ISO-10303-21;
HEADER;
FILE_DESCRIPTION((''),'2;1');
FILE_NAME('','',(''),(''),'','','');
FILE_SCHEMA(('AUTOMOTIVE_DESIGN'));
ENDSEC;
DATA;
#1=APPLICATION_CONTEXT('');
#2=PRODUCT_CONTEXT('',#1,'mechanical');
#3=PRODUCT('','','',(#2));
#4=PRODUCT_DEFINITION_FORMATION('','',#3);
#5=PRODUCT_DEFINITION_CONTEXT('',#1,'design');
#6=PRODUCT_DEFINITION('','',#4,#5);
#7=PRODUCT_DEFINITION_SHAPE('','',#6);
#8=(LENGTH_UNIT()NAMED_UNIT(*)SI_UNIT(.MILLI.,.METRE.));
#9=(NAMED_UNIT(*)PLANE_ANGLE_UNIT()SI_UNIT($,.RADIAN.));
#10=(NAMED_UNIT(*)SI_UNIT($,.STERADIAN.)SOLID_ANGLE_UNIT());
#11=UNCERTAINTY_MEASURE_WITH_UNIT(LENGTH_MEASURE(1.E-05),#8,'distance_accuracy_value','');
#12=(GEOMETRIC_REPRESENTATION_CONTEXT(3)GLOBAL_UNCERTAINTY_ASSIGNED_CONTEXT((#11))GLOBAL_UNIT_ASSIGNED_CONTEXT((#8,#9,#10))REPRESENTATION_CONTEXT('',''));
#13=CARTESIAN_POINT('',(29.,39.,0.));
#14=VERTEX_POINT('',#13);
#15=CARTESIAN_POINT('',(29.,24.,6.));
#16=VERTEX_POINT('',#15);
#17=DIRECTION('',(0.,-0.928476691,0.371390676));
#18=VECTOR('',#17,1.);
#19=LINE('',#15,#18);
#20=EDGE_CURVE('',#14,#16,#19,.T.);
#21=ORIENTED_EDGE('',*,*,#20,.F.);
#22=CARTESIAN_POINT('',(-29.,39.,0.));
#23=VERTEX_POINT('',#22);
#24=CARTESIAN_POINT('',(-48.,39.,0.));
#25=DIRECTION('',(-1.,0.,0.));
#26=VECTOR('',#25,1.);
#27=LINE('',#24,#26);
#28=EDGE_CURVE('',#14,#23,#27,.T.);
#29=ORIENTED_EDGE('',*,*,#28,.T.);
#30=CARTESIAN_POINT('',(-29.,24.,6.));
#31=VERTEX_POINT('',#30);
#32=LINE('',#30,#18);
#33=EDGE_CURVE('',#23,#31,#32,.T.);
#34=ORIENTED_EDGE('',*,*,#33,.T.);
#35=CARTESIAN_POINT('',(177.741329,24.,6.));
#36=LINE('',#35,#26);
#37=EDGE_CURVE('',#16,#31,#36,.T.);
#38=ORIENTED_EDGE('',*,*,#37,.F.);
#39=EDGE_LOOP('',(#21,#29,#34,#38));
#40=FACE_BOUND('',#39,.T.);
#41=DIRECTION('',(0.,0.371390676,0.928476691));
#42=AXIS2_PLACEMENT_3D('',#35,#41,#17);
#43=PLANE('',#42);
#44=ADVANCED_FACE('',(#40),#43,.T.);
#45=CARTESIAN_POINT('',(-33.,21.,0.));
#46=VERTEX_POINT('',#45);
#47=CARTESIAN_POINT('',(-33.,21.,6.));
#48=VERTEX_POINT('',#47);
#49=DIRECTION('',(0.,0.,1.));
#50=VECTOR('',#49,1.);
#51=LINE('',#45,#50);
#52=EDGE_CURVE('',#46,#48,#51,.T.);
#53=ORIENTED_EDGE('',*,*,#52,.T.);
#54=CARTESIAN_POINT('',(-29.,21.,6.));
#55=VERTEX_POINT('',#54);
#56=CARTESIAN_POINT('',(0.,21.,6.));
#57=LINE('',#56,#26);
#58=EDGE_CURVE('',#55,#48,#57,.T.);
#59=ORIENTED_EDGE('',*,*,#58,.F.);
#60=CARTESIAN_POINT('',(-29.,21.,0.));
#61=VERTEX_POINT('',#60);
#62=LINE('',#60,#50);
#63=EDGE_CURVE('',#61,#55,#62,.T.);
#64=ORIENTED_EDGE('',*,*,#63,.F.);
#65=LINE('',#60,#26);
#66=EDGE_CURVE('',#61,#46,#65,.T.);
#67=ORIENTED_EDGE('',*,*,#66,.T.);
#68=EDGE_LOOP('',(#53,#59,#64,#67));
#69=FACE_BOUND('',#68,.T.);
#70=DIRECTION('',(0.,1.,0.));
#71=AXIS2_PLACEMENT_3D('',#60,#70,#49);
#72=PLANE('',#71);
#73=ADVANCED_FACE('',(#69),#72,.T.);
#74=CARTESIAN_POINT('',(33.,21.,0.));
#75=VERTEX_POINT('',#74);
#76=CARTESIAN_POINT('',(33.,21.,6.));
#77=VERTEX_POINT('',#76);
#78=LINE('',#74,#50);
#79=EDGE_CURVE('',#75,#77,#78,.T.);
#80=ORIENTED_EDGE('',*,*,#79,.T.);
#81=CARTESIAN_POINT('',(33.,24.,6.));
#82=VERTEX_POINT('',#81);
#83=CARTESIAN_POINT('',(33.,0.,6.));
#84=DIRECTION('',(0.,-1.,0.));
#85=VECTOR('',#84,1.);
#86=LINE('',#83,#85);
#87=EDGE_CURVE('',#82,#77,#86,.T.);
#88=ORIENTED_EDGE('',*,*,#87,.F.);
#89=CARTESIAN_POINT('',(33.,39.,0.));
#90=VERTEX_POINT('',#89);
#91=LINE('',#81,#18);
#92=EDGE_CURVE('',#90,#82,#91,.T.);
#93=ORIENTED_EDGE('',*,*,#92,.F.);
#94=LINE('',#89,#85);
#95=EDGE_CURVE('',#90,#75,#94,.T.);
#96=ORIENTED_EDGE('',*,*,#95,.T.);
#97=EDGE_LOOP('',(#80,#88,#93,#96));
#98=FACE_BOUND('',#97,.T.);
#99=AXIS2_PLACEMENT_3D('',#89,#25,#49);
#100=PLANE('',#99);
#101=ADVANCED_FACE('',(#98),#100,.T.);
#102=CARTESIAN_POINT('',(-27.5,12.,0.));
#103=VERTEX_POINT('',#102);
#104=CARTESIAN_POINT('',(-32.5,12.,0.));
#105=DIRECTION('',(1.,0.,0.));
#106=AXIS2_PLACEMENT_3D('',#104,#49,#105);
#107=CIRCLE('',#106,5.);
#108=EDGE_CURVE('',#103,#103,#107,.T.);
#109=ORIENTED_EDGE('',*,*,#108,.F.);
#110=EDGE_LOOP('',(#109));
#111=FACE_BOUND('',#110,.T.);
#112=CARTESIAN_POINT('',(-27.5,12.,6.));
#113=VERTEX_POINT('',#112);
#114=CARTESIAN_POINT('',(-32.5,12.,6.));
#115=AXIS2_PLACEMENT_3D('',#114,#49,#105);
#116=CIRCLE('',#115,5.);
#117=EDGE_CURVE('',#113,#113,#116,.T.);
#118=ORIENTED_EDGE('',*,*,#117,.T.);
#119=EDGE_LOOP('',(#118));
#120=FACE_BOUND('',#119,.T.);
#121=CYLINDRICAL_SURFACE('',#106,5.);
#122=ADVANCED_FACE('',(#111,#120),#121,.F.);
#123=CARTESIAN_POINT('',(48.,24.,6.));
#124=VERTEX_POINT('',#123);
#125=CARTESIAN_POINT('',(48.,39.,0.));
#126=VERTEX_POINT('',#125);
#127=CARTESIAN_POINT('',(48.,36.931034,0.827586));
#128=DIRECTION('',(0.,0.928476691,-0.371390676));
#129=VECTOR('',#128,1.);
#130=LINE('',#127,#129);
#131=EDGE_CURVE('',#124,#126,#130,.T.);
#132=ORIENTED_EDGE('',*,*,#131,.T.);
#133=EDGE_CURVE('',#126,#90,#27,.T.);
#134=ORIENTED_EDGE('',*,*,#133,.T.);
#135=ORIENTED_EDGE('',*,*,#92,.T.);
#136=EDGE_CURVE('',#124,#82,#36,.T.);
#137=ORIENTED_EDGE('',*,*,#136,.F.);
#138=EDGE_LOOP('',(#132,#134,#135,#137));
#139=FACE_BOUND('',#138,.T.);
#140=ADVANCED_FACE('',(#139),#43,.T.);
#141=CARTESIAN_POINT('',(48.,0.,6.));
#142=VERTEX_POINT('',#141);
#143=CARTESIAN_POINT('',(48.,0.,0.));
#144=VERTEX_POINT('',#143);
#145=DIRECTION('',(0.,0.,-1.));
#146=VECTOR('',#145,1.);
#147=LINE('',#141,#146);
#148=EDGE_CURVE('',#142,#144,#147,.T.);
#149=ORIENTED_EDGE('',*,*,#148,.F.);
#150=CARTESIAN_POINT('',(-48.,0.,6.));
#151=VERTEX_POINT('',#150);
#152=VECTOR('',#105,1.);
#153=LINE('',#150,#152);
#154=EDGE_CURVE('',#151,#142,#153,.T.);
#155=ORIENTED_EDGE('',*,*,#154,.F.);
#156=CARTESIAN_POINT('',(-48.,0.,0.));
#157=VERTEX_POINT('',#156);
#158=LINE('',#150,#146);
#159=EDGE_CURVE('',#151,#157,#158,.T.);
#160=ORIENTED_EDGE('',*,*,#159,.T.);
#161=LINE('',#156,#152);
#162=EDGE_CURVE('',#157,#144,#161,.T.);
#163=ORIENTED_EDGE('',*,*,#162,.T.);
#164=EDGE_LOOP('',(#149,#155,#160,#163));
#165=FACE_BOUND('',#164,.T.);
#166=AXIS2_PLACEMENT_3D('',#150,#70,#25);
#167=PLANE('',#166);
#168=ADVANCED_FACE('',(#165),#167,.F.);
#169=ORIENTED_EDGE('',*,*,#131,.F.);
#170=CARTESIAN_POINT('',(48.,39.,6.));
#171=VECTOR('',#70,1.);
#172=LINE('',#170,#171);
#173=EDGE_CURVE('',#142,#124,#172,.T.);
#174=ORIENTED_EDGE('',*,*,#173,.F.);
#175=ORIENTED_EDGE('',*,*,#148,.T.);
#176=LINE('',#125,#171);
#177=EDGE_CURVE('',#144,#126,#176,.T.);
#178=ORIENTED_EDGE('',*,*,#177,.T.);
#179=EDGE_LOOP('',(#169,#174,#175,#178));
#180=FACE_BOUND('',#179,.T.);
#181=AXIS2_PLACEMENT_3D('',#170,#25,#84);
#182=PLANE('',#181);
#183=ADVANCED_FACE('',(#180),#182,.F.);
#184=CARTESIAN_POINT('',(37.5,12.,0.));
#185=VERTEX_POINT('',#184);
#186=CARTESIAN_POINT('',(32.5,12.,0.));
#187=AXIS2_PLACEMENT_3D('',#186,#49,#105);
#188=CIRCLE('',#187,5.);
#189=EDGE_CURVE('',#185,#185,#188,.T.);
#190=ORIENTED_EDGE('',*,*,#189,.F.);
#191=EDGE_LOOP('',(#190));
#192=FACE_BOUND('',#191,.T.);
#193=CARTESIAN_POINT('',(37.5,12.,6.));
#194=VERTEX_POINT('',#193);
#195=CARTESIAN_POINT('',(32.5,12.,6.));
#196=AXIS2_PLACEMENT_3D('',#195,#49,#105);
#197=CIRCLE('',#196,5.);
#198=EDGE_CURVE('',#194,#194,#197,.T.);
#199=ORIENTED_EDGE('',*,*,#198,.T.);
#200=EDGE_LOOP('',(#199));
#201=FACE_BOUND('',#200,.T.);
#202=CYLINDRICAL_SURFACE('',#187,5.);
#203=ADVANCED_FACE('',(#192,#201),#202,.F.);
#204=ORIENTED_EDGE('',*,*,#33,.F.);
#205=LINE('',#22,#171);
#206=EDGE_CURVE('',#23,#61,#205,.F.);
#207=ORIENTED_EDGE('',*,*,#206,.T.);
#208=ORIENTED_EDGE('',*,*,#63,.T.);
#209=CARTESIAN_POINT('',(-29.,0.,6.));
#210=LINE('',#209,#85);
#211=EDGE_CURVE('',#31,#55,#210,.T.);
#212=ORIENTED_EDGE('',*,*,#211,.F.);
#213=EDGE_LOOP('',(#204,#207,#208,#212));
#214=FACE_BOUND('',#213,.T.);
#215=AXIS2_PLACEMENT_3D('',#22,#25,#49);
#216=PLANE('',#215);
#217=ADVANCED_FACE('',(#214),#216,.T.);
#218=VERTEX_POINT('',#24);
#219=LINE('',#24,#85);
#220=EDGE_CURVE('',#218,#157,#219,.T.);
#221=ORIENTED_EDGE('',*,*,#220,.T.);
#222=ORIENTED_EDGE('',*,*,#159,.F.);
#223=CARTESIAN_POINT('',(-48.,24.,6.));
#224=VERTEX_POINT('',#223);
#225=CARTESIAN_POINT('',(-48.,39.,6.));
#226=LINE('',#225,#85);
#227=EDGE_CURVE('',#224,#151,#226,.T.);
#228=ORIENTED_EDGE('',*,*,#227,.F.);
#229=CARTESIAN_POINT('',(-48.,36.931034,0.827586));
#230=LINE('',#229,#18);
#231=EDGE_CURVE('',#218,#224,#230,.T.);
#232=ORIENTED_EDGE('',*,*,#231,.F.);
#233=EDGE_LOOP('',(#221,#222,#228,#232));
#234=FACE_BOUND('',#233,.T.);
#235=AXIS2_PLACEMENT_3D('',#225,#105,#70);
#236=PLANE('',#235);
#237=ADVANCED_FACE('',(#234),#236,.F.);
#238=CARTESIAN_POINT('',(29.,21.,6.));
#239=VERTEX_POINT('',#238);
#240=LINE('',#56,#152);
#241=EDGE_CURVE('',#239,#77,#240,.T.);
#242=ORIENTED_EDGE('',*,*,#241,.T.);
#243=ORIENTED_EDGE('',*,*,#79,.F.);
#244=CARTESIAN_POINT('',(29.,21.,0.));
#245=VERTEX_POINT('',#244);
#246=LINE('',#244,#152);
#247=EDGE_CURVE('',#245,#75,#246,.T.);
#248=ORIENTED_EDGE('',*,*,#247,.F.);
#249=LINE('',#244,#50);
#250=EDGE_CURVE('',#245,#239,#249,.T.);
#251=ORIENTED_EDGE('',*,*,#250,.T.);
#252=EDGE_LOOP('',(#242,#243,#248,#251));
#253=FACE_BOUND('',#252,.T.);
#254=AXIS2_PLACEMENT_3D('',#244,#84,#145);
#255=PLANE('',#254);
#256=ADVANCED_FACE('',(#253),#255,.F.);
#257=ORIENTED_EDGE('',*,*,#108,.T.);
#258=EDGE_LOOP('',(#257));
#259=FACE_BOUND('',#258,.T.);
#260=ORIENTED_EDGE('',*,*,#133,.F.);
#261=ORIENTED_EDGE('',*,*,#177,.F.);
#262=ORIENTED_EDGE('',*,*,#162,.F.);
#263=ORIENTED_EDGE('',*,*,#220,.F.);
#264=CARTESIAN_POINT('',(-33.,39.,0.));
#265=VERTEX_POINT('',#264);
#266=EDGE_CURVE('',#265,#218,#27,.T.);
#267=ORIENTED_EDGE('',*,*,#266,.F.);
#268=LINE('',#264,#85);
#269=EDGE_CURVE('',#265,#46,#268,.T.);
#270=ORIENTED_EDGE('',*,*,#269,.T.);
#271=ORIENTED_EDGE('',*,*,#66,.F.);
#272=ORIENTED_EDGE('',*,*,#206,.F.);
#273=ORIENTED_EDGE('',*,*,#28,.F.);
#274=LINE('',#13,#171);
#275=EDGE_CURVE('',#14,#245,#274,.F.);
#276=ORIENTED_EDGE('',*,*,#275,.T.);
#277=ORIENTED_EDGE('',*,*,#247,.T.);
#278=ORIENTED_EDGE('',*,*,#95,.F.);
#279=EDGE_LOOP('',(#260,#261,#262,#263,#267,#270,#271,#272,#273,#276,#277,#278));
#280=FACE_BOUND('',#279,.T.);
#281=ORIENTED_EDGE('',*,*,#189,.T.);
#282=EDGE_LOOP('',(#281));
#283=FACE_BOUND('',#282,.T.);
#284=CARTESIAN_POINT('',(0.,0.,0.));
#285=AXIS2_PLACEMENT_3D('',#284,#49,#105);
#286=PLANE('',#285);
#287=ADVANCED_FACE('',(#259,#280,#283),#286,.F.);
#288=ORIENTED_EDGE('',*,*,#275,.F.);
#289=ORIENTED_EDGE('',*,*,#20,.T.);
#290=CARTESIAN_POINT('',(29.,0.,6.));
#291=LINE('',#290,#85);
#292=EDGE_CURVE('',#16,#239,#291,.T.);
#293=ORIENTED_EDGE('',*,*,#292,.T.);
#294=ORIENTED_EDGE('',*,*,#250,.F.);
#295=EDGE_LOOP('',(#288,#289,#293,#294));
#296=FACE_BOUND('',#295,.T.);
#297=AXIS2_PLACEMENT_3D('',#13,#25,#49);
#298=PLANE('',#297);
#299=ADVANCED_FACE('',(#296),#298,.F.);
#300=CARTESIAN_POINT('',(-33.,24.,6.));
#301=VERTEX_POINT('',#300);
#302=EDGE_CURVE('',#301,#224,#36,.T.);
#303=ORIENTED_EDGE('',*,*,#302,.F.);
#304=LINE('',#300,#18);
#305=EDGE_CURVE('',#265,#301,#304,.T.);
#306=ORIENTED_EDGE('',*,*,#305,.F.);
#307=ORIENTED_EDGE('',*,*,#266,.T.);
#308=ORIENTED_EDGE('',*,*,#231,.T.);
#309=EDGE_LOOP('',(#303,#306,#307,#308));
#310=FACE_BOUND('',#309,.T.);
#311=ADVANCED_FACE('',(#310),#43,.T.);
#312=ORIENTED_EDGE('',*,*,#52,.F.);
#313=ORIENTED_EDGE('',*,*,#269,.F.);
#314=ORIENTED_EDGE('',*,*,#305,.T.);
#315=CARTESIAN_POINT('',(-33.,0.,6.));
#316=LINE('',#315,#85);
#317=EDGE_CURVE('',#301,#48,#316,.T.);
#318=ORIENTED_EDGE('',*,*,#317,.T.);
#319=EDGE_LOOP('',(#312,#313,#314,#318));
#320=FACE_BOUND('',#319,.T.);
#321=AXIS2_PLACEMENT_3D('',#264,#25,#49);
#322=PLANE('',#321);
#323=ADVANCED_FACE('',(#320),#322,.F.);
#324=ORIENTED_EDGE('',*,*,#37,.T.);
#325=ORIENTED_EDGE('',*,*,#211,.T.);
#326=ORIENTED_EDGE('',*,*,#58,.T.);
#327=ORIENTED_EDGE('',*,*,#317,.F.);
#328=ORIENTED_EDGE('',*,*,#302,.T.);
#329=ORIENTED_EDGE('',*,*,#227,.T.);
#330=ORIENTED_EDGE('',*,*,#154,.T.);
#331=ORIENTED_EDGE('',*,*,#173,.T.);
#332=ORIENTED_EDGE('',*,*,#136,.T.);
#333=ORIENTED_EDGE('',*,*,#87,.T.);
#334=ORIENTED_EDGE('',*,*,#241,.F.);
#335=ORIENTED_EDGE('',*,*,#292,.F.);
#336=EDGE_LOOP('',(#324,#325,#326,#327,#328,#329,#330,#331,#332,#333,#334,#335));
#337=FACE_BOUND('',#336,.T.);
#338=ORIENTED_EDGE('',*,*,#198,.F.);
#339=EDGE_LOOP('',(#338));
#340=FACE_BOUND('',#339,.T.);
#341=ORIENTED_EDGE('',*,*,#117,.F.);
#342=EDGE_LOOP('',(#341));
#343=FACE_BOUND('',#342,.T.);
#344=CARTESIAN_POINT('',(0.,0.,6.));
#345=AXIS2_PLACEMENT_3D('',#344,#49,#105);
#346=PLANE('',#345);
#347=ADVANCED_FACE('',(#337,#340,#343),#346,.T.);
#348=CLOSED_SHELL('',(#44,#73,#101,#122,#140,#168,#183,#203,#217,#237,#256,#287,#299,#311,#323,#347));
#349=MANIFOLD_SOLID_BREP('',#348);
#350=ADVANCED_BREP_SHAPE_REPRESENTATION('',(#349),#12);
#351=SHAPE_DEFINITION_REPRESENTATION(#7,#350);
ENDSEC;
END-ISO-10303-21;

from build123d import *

# Parameters (mm, degrees)
SKETCH_1_W               = 96
SKETCH_1_H               = 39
EXTRUDE_1_DEPTH          = 6
CUT_EXTRUDE_1_DEPTH      = 104.793063352
CUT_EXTRUDE_1_DEPTH_BACK = 104.793063352
SKETCH_3_W               = 4
SKETCH_3_H               = 18
CUT_EXTRUDE_1_2_DEPTH    = 63.136945532
SKETCH_4_R               = 5
CUT_EXTRUDE_2_DEPTH      = 63.136945532


with BuildPart() as part:
    # 草图1 → 凸台-拉伸1 (new body)
    with BuildSketch(Plane.XY):
        with Locations((0, 19.5)):
            Rectangle(SKETCH_1_W, SKETCH_1_H)
    extrude(amount=EXTRUDE_1_DEPTH)

    # 草图2 → Cut-Extrude 1 (cut, two sides: drawn at the far end of the back side and taken through both)
    with BuildSketch(Plane(origin=(48, 0, 0), x_dir=(0, 0, -1), z_dir=(1, 0, 0)).offset(-CUT_EXTRUDE_1_DEPTH_BACK)):
        Polygon((-39.023196805, -58.557992014), (-6, 24), (0, 39), (33.023196805, 121.557992014), (-132.092787222, 187.604385624), (-204.139180832, 7.488401597), align=None)
    extrude(amount=CUT_EXTRUDE_1_DEPTH + CUT_EXTRUDE_1_DEPTH_BACK, mode=Mode.SUBTRACT)

    # 草图3 → Cut-Extrude 1 2 (cut, symmetric)
    with BuildSketch(Plane.XY.offset(6)):
        with Locations((-31, 30)):
            Rectangle(SKETCH_3_W, SKETCH_3_H)
    cut_extrude_1_2 = extrude(amount=CUT_EXTRUDE_1_2_DEPTH, both=True, mode=Mode.SUBTRACT)

    # 镜向1: Cut-Extrude 1 2 across plane
    add(cut_extrude_1_2.mirror(Plane(origin=(0, 0, 0), x_dir=(0, 0, 1), z_dir=(1, 0, 0))), mode=Mode.SUBTRACT)

    # 草图4 → 切除-拉伸2 (cut, through all)
    with BuildSketch(Plane.XY.offset(6)):
        with Locations((32.5, 12)):
            Circle(SKETCH_4_R)
        with Locations((-32.5, 12)):
            Circle(SKETCH_4_R)
    extrude(amount=-CUT_EXTRUDE_2_DEPTH, mode=Mode.SUBTRACT)


solid = part.part
